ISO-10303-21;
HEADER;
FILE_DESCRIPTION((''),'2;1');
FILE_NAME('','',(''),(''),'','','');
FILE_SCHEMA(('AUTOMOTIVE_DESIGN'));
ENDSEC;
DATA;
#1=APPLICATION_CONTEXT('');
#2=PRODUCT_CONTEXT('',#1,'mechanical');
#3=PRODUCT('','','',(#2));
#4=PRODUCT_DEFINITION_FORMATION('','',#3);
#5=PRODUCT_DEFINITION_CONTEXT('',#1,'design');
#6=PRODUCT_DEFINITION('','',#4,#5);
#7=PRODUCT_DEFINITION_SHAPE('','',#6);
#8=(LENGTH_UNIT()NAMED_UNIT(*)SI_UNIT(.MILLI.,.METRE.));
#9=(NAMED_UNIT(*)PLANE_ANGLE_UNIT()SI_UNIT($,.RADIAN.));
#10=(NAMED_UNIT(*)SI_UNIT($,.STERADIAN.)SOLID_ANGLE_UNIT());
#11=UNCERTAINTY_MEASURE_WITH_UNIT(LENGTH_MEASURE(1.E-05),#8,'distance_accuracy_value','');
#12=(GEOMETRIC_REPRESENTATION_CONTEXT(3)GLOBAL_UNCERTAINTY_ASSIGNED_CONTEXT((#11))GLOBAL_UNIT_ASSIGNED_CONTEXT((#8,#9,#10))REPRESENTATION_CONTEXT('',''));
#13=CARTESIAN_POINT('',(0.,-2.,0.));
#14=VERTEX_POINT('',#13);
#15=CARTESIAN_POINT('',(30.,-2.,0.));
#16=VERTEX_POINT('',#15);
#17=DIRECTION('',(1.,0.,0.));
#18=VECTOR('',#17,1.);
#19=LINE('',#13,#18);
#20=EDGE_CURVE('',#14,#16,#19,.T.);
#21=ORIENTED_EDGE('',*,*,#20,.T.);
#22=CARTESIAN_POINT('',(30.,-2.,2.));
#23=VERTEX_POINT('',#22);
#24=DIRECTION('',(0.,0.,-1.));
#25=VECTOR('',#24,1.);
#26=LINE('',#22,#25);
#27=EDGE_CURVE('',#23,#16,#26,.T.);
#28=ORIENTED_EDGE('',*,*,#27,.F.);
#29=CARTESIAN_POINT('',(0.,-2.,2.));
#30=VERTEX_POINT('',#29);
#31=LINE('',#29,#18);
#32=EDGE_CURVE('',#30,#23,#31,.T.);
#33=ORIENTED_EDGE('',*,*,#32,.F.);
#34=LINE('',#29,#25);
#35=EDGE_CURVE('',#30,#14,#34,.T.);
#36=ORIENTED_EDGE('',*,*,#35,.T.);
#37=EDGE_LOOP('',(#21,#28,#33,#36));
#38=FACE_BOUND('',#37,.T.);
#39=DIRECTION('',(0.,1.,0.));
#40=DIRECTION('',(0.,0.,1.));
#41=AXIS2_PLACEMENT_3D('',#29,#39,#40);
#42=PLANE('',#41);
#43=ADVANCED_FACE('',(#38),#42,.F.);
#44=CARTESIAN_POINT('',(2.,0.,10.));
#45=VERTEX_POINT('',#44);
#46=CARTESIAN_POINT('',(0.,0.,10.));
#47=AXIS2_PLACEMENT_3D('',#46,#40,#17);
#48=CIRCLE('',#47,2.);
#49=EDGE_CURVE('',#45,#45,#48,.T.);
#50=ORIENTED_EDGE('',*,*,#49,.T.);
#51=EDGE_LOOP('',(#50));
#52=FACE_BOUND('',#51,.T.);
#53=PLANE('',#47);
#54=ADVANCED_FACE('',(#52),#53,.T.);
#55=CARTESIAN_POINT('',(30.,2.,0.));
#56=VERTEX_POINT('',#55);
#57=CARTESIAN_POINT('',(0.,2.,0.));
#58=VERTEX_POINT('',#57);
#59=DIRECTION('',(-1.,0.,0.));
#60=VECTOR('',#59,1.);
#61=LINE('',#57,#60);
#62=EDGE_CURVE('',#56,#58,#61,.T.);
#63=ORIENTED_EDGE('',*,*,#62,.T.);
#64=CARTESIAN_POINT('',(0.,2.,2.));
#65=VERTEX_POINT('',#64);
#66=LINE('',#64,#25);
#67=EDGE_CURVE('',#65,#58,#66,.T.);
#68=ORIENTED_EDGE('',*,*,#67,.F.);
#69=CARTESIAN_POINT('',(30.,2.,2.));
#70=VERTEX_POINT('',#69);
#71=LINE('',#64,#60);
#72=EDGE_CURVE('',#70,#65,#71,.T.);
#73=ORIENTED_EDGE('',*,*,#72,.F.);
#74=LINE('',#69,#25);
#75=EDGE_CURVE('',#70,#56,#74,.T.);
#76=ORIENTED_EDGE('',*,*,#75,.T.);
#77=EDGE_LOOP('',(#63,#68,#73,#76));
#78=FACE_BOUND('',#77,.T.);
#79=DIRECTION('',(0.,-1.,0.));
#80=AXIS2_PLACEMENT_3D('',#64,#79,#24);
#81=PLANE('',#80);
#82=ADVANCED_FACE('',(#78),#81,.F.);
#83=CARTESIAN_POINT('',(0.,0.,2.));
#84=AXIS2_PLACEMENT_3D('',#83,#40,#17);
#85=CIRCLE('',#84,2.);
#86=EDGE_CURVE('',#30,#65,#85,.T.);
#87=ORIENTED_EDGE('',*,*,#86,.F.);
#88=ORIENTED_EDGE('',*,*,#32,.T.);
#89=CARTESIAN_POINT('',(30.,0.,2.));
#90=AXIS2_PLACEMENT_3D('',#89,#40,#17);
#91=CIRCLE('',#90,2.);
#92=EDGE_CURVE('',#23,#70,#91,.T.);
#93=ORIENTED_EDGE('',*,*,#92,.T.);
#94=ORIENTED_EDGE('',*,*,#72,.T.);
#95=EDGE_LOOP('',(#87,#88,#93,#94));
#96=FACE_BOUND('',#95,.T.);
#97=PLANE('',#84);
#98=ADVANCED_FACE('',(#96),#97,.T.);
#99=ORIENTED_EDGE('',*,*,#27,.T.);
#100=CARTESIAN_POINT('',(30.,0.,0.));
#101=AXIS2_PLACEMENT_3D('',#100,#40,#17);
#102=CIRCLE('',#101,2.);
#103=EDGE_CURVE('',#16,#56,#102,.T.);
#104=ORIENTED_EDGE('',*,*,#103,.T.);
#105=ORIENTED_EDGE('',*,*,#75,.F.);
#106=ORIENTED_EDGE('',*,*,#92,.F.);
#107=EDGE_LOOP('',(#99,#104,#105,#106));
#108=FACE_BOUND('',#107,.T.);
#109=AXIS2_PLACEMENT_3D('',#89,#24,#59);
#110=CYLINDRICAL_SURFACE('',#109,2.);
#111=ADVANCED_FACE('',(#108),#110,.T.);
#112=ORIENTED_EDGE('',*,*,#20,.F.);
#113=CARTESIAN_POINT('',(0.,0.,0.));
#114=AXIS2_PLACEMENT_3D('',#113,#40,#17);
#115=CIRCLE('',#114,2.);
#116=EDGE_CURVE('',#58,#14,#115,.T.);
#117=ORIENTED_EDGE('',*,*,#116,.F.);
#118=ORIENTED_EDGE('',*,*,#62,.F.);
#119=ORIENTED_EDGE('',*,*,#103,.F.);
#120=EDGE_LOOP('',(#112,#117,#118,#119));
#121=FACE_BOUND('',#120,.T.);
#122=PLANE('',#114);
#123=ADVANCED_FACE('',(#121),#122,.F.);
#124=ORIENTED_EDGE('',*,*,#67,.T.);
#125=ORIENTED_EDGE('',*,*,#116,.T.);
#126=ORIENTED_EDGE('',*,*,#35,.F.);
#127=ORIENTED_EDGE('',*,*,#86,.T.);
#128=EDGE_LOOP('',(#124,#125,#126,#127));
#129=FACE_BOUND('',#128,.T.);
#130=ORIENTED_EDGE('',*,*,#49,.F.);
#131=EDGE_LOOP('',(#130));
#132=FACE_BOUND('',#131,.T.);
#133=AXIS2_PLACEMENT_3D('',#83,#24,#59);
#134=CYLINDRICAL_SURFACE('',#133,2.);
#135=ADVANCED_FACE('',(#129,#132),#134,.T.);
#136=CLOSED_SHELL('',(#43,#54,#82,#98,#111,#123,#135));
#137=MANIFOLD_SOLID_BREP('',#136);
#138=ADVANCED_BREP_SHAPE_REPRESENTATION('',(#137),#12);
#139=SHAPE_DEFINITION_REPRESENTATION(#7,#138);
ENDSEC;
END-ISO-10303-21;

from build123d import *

# Parameters (mm, degrees)
BOSS_EXTRUDE1_DEPTH = 2
SKETCH2_R           = 2
BOSS_EXTRUDE2_DEPTH = 8


with BuildPart() as part:
    # Sketch1 → Boss-Extrude1 (new body)
    with BuildSketch(Plane.XY):
        with BuildLine():
            Line((0, -2), (30, -2))
            ThreePointArc((30, -2), (32, 0), (30, 2))
            Line((30, 2), (0, 2))
            ThreePointArc((0, 2), (-2, 0), (0, -2))
        make_face()
    extrude(amount=BOSS_EXTRUDE1_DEPTH)

    # Sketch2 → Boss-Extrude2 (add)
    with BuildSketch(Plane.XY.offset(2)):
        with Locations(Location((0, 0, 0), (0, 0, 270))):
            Circle(SKETCH2_R)
    extrude(amount=BOSS_EXTRUDE2_DEPTH)


solid = part.part
